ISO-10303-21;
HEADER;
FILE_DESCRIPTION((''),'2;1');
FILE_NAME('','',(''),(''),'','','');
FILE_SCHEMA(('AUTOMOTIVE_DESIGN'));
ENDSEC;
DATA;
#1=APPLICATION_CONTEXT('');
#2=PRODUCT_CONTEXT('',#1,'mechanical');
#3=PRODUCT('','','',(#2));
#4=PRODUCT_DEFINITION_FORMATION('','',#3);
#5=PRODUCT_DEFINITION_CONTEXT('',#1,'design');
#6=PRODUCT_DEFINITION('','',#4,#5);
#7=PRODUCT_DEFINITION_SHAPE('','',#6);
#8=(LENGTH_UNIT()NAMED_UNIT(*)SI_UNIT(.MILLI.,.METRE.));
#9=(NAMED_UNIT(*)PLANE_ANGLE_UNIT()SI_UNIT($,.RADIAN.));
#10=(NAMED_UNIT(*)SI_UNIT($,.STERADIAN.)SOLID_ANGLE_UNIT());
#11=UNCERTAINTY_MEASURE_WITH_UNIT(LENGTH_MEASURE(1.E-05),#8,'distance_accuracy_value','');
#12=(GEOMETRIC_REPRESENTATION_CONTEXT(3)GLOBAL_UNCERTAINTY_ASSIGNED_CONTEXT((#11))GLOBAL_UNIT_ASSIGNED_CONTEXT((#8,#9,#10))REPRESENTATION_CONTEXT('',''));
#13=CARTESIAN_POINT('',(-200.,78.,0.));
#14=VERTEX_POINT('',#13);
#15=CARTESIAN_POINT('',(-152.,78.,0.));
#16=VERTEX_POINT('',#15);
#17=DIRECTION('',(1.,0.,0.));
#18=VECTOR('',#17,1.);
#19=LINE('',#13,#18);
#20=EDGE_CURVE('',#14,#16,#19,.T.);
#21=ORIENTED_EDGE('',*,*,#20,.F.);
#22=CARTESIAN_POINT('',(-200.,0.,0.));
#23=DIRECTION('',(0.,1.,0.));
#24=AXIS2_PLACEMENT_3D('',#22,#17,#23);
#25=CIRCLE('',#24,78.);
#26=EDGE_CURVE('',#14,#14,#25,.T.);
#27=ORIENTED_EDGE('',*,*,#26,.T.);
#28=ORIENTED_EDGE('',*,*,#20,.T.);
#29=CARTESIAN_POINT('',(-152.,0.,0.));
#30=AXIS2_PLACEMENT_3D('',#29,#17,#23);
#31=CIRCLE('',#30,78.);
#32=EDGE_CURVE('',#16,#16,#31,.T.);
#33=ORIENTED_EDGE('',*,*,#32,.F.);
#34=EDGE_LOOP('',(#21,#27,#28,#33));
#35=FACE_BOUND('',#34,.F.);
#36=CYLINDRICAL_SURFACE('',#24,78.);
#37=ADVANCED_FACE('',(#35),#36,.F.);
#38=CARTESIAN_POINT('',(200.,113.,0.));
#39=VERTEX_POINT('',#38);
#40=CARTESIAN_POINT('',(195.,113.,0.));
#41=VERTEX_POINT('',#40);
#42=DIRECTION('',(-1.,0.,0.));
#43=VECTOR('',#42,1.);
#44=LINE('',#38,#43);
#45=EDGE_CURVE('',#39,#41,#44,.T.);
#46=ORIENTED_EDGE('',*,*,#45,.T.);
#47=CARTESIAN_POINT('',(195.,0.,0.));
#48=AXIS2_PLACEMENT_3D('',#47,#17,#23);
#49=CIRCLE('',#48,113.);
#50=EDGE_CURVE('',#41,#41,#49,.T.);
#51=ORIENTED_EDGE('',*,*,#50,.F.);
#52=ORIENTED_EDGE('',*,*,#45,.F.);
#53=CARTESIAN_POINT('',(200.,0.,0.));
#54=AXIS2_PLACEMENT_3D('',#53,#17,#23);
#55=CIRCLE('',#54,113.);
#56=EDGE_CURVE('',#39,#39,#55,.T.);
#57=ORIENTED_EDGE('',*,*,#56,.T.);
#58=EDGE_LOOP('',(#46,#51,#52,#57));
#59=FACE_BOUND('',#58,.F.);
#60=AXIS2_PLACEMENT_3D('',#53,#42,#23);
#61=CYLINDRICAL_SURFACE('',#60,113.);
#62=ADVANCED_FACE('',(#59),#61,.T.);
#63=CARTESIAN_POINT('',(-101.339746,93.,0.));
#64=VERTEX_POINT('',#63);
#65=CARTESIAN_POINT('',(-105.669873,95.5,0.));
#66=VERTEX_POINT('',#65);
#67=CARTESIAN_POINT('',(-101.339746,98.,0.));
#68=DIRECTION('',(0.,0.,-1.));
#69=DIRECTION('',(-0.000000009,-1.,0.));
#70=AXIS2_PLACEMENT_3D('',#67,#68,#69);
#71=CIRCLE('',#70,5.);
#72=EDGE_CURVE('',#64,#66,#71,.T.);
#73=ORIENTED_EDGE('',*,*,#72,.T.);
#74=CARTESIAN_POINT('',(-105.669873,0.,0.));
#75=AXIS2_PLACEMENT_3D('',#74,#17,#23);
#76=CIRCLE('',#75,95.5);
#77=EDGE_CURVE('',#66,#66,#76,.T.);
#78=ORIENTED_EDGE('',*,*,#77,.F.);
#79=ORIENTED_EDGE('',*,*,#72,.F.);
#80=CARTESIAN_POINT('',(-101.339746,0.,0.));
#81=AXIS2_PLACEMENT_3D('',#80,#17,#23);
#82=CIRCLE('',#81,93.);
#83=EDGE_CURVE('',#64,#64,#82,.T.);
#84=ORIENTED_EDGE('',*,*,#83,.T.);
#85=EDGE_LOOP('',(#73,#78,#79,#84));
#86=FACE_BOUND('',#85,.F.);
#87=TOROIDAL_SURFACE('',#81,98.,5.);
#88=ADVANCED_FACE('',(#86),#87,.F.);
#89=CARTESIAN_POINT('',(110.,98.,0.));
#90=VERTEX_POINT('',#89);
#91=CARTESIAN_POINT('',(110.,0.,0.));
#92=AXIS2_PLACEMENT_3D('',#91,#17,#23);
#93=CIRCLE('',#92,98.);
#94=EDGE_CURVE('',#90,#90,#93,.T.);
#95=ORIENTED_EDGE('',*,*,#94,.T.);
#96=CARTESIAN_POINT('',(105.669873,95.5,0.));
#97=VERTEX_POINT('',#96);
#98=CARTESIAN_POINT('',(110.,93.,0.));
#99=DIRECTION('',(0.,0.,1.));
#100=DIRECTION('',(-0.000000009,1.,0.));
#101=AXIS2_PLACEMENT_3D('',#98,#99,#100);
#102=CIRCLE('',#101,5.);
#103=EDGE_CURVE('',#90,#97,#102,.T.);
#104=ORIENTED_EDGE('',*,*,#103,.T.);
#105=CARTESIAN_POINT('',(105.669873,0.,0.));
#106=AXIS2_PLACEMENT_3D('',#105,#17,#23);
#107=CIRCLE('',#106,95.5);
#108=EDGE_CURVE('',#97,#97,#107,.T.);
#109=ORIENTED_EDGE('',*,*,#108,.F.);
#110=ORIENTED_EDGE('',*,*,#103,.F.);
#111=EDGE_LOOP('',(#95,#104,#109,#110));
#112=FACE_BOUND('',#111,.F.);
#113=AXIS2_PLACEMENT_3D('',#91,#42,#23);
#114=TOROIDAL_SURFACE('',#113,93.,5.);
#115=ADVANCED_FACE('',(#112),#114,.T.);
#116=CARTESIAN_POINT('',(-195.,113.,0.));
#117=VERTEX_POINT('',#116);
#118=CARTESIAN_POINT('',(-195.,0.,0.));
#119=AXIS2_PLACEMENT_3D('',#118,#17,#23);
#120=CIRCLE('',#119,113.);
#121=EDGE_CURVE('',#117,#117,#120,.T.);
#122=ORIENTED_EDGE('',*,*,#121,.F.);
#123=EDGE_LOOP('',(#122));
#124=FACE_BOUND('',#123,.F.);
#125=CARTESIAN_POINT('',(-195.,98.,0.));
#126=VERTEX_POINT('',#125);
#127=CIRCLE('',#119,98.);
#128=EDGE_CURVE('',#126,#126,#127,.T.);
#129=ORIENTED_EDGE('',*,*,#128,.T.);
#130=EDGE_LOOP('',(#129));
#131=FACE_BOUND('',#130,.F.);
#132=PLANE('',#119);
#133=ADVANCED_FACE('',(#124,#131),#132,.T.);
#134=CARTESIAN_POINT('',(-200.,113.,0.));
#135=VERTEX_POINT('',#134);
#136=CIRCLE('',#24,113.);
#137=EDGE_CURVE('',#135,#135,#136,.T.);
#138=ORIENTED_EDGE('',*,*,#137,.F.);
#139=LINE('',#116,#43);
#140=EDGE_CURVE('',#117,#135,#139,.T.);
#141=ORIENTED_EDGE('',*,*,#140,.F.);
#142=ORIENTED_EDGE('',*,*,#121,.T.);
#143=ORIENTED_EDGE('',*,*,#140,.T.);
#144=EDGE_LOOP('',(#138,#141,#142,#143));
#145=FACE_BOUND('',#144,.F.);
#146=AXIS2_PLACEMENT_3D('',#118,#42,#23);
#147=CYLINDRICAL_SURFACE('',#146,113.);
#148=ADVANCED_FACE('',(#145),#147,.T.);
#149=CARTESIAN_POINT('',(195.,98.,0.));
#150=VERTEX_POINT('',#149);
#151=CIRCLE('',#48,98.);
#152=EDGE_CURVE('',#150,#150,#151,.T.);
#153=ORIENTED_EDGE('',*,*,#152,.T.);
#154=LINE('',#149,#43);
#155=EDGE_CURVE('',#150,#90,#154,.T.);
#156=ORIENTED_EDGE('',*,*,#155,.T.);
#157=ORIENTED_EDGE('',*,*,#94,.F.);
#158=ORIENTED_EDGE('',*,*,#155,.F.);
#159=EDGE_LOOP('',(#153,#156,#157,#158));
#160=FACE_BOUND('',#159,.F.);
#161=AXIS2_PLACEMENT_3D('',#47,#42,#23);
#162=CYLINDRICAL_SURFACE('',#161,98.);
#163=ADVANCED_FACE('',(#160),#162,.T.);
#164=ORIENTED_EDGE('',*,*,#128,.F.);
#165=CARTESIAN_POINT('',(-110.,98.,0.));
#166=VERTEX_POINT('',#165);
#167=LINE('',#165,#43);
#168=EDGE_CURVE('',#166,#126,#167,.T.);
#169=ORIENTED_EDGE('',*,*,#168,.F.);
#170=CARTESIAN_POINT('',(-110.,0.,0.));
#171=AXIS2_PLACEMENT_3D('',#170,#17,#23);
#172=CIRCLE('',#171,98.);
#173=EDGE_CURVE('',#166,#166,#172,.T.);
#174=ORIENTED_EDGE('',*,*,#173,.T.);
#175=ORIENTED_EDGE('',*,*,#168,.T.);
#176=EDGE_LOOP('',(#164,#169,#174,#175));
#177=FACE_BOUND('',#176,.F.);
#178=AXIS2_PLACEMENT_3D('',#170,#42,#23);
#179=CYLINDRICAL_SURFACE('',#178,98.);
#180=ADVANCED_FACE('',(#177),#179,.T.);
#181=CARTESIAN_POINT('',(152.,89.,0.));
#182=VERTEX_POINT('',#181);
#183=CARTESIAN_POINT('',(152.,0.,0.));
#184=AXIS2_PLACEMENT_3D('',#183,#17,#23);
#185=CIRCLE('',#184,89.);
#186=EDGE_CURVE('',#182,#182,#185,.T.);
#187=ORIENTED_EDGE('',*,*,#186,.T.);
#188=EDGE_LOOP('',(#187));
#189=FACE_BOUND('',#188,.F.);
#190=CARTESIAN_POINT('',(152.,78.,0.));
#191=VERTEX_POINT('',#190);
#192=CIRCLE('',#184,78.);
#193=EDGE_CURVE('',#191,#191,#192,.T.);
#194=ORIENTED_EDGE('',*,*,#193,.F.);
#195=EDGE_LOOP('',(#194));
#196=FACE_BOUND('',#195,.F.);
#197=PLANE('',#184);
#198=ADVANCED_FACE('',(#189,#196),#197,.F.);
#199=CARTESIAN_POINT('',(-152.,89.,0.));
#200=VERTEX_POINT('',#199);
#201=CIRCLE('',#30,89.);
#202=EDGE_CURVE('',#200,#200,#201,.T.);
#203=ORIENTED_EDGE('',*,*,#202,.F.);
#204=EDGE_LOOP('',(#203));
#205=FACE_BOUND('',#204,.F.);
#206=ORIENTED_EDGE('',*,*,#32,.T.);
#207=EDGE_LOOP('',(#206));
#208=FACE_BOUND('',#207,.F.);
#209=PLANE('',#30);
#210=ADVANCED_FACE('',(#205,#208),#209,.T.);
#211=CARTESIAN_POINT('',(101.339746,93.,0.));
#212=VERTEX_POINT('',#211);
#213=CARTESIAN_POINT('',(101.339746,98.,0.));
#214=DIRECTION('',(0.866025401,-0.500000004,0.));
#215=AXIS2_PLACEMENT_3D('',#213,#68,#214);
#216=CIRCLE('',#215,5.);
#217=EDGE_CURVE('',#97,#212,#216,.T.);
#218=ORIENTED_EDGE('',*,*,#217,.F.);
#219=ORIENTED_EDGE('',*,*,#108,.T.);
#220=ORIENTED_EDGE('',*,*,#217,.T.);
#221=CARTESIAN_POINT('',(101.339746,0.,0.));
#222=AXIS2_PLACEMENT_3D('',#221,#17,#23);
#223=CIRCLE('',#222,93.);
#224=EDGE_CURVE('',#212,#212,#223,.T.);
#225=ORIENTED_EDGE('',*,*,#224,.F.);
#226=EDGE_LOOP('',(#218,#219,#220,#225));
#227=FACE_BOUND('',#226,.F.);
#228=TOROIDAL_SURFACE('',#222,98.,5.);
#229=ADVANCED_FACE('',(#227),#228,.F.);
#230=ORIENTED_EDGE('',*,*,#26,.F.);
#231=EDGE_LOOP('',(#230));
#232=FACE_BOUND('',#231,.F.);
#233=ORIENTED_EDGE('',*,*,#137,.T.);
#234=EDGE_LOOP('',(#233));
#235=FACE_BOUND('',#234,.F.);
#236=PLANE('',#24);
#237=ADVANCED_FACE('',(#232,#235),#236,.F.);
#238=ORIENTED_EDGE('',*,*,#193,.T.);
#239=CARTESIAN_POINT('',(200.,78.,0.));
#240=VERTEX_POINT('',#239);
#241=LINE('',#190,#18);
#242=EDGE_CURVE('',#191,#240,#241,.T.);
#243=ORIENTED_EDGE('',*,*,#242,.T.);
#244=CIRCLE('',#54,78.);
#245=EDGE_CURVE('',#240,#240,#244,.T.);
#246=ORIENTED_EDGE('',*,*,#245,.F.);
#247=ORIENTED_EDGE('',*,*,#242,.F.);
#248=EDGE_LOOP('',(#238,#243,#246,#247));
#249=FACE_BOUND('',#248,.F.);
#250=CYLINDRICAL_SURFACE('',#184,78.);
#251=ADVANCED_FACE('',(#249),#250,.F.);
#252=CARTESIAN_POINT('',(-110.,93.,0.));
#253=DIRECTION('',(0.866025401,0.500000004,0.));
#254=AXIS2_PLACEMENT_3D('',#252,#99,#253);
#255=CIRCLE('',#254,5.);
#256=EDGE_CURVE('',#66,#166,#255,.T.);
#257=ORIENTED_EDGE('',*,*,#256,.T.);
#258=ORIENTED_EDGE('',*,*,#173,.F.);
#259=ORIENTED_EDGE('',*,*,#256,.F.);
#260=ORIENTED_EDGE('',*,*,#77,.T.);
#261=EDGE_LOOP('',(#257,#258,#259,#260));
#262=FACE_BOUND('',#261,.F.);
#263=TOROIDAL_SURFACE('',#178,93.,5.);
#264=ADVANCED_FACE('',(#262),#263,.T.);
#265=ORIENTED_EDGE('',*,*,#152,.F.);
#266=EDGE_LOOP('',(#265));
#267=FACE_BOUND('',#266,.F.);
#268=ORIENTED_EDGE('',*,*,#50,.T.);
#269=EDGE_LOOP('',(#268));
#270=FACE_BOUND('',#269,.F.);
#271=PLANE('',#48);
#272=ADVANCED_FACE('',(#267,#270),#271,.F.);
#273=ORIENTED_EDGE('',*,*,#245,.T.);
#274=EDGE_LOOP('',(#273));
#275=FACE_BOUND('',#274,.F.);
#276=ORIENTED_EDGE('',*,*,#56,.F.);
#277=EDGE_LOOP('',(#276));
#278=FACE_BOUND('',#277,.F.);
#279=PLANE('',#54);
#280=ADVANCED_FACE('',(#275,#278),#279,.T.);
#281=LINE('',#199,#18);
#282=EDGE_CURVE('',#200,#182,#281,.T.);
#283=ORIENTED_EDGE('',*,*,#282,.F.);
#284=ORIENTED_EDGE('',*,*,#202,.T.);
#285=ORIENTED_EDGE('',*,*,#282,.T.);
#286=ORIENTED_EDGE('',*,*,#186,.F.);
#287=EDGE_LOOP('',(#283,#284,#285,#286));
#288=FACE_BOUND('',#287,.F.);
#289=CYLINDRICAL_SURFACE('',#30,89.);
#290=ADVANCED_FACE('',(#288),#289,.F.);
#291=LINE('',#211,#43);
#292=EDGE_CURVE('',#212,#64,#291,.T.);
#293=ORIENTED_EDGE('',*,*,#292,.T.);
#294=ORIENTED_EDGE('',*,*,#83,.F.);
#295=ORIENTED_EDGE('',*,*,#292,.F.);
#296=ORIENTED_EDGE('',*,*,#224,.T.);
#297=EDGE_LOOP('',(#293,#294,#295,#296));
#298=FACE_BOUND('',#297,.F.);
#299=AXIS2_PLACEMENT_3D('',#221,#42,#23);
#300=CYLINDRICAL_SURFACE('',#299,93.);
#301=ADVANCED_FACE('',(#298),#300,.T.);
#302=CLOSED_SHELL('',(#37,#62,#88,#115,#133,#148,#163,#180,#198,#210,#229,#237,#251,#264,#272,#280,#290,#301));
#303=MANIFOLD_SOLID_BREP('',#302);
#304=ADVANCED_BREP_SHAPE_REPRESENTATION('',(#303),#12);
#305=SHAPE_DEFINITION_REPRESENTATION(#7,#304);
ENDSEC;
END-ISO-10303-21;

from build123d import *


with BuildPart() as f1:
    # F0 (on Top) → F1 (revolve)
    with BuildSketch(Plane.XY):
        with BuildLine():
            ThreePointArc((-105.669873, 95.5), (-107.5, 97.330127), (-110, 98))
            Line((-110, 98), (-195, 98))
            Line((-195, 98), (-195, 113))
            Line((-195, 113), (-200, 113))
            Line((-200, 113), (-200, 98))
            Line((-200, 98), (-200, 78))
            Line((-200, 78), (-152, 78))
            Line((-152, 78), (-152, 89))
            Line((-152, 89), (0, 89))
            Line((0, 89), (0, 93))
            Line((0, 93), (-101.339746, 93))
            ThreePointArc((-101.339746, 93), (-103.839746, 93.669873), (-105.669873, 95.5))
        make_face()
        with BuildLine():
            Line((101.339746, 93), (0, 93))
            Line((0, 93), (0, 89))
            Line((0, 89), (152, 89))
            Line((152, 89), (152, 78))
            Line((152, 78), (200, 78))
            Line((200, 78), (200, 98))
            Line((200, 98), (200, 113))
            Line((200, 113), (195, 113))
            Line((195, 113), (195, 98))
            Line((195, 98), (110, 98))
            ThreePointArc((110, 98), (107.5, 97.330127), (105.669873, 95.5))
            ThreePointArc((105.669873, 95.5), (103.839746, 93.669873), (101.339746, 93))
        make_face()
    revolve(axis=Axis((-6.106503, 0, 0), (1, 0, 0)))


solid = f1.part
